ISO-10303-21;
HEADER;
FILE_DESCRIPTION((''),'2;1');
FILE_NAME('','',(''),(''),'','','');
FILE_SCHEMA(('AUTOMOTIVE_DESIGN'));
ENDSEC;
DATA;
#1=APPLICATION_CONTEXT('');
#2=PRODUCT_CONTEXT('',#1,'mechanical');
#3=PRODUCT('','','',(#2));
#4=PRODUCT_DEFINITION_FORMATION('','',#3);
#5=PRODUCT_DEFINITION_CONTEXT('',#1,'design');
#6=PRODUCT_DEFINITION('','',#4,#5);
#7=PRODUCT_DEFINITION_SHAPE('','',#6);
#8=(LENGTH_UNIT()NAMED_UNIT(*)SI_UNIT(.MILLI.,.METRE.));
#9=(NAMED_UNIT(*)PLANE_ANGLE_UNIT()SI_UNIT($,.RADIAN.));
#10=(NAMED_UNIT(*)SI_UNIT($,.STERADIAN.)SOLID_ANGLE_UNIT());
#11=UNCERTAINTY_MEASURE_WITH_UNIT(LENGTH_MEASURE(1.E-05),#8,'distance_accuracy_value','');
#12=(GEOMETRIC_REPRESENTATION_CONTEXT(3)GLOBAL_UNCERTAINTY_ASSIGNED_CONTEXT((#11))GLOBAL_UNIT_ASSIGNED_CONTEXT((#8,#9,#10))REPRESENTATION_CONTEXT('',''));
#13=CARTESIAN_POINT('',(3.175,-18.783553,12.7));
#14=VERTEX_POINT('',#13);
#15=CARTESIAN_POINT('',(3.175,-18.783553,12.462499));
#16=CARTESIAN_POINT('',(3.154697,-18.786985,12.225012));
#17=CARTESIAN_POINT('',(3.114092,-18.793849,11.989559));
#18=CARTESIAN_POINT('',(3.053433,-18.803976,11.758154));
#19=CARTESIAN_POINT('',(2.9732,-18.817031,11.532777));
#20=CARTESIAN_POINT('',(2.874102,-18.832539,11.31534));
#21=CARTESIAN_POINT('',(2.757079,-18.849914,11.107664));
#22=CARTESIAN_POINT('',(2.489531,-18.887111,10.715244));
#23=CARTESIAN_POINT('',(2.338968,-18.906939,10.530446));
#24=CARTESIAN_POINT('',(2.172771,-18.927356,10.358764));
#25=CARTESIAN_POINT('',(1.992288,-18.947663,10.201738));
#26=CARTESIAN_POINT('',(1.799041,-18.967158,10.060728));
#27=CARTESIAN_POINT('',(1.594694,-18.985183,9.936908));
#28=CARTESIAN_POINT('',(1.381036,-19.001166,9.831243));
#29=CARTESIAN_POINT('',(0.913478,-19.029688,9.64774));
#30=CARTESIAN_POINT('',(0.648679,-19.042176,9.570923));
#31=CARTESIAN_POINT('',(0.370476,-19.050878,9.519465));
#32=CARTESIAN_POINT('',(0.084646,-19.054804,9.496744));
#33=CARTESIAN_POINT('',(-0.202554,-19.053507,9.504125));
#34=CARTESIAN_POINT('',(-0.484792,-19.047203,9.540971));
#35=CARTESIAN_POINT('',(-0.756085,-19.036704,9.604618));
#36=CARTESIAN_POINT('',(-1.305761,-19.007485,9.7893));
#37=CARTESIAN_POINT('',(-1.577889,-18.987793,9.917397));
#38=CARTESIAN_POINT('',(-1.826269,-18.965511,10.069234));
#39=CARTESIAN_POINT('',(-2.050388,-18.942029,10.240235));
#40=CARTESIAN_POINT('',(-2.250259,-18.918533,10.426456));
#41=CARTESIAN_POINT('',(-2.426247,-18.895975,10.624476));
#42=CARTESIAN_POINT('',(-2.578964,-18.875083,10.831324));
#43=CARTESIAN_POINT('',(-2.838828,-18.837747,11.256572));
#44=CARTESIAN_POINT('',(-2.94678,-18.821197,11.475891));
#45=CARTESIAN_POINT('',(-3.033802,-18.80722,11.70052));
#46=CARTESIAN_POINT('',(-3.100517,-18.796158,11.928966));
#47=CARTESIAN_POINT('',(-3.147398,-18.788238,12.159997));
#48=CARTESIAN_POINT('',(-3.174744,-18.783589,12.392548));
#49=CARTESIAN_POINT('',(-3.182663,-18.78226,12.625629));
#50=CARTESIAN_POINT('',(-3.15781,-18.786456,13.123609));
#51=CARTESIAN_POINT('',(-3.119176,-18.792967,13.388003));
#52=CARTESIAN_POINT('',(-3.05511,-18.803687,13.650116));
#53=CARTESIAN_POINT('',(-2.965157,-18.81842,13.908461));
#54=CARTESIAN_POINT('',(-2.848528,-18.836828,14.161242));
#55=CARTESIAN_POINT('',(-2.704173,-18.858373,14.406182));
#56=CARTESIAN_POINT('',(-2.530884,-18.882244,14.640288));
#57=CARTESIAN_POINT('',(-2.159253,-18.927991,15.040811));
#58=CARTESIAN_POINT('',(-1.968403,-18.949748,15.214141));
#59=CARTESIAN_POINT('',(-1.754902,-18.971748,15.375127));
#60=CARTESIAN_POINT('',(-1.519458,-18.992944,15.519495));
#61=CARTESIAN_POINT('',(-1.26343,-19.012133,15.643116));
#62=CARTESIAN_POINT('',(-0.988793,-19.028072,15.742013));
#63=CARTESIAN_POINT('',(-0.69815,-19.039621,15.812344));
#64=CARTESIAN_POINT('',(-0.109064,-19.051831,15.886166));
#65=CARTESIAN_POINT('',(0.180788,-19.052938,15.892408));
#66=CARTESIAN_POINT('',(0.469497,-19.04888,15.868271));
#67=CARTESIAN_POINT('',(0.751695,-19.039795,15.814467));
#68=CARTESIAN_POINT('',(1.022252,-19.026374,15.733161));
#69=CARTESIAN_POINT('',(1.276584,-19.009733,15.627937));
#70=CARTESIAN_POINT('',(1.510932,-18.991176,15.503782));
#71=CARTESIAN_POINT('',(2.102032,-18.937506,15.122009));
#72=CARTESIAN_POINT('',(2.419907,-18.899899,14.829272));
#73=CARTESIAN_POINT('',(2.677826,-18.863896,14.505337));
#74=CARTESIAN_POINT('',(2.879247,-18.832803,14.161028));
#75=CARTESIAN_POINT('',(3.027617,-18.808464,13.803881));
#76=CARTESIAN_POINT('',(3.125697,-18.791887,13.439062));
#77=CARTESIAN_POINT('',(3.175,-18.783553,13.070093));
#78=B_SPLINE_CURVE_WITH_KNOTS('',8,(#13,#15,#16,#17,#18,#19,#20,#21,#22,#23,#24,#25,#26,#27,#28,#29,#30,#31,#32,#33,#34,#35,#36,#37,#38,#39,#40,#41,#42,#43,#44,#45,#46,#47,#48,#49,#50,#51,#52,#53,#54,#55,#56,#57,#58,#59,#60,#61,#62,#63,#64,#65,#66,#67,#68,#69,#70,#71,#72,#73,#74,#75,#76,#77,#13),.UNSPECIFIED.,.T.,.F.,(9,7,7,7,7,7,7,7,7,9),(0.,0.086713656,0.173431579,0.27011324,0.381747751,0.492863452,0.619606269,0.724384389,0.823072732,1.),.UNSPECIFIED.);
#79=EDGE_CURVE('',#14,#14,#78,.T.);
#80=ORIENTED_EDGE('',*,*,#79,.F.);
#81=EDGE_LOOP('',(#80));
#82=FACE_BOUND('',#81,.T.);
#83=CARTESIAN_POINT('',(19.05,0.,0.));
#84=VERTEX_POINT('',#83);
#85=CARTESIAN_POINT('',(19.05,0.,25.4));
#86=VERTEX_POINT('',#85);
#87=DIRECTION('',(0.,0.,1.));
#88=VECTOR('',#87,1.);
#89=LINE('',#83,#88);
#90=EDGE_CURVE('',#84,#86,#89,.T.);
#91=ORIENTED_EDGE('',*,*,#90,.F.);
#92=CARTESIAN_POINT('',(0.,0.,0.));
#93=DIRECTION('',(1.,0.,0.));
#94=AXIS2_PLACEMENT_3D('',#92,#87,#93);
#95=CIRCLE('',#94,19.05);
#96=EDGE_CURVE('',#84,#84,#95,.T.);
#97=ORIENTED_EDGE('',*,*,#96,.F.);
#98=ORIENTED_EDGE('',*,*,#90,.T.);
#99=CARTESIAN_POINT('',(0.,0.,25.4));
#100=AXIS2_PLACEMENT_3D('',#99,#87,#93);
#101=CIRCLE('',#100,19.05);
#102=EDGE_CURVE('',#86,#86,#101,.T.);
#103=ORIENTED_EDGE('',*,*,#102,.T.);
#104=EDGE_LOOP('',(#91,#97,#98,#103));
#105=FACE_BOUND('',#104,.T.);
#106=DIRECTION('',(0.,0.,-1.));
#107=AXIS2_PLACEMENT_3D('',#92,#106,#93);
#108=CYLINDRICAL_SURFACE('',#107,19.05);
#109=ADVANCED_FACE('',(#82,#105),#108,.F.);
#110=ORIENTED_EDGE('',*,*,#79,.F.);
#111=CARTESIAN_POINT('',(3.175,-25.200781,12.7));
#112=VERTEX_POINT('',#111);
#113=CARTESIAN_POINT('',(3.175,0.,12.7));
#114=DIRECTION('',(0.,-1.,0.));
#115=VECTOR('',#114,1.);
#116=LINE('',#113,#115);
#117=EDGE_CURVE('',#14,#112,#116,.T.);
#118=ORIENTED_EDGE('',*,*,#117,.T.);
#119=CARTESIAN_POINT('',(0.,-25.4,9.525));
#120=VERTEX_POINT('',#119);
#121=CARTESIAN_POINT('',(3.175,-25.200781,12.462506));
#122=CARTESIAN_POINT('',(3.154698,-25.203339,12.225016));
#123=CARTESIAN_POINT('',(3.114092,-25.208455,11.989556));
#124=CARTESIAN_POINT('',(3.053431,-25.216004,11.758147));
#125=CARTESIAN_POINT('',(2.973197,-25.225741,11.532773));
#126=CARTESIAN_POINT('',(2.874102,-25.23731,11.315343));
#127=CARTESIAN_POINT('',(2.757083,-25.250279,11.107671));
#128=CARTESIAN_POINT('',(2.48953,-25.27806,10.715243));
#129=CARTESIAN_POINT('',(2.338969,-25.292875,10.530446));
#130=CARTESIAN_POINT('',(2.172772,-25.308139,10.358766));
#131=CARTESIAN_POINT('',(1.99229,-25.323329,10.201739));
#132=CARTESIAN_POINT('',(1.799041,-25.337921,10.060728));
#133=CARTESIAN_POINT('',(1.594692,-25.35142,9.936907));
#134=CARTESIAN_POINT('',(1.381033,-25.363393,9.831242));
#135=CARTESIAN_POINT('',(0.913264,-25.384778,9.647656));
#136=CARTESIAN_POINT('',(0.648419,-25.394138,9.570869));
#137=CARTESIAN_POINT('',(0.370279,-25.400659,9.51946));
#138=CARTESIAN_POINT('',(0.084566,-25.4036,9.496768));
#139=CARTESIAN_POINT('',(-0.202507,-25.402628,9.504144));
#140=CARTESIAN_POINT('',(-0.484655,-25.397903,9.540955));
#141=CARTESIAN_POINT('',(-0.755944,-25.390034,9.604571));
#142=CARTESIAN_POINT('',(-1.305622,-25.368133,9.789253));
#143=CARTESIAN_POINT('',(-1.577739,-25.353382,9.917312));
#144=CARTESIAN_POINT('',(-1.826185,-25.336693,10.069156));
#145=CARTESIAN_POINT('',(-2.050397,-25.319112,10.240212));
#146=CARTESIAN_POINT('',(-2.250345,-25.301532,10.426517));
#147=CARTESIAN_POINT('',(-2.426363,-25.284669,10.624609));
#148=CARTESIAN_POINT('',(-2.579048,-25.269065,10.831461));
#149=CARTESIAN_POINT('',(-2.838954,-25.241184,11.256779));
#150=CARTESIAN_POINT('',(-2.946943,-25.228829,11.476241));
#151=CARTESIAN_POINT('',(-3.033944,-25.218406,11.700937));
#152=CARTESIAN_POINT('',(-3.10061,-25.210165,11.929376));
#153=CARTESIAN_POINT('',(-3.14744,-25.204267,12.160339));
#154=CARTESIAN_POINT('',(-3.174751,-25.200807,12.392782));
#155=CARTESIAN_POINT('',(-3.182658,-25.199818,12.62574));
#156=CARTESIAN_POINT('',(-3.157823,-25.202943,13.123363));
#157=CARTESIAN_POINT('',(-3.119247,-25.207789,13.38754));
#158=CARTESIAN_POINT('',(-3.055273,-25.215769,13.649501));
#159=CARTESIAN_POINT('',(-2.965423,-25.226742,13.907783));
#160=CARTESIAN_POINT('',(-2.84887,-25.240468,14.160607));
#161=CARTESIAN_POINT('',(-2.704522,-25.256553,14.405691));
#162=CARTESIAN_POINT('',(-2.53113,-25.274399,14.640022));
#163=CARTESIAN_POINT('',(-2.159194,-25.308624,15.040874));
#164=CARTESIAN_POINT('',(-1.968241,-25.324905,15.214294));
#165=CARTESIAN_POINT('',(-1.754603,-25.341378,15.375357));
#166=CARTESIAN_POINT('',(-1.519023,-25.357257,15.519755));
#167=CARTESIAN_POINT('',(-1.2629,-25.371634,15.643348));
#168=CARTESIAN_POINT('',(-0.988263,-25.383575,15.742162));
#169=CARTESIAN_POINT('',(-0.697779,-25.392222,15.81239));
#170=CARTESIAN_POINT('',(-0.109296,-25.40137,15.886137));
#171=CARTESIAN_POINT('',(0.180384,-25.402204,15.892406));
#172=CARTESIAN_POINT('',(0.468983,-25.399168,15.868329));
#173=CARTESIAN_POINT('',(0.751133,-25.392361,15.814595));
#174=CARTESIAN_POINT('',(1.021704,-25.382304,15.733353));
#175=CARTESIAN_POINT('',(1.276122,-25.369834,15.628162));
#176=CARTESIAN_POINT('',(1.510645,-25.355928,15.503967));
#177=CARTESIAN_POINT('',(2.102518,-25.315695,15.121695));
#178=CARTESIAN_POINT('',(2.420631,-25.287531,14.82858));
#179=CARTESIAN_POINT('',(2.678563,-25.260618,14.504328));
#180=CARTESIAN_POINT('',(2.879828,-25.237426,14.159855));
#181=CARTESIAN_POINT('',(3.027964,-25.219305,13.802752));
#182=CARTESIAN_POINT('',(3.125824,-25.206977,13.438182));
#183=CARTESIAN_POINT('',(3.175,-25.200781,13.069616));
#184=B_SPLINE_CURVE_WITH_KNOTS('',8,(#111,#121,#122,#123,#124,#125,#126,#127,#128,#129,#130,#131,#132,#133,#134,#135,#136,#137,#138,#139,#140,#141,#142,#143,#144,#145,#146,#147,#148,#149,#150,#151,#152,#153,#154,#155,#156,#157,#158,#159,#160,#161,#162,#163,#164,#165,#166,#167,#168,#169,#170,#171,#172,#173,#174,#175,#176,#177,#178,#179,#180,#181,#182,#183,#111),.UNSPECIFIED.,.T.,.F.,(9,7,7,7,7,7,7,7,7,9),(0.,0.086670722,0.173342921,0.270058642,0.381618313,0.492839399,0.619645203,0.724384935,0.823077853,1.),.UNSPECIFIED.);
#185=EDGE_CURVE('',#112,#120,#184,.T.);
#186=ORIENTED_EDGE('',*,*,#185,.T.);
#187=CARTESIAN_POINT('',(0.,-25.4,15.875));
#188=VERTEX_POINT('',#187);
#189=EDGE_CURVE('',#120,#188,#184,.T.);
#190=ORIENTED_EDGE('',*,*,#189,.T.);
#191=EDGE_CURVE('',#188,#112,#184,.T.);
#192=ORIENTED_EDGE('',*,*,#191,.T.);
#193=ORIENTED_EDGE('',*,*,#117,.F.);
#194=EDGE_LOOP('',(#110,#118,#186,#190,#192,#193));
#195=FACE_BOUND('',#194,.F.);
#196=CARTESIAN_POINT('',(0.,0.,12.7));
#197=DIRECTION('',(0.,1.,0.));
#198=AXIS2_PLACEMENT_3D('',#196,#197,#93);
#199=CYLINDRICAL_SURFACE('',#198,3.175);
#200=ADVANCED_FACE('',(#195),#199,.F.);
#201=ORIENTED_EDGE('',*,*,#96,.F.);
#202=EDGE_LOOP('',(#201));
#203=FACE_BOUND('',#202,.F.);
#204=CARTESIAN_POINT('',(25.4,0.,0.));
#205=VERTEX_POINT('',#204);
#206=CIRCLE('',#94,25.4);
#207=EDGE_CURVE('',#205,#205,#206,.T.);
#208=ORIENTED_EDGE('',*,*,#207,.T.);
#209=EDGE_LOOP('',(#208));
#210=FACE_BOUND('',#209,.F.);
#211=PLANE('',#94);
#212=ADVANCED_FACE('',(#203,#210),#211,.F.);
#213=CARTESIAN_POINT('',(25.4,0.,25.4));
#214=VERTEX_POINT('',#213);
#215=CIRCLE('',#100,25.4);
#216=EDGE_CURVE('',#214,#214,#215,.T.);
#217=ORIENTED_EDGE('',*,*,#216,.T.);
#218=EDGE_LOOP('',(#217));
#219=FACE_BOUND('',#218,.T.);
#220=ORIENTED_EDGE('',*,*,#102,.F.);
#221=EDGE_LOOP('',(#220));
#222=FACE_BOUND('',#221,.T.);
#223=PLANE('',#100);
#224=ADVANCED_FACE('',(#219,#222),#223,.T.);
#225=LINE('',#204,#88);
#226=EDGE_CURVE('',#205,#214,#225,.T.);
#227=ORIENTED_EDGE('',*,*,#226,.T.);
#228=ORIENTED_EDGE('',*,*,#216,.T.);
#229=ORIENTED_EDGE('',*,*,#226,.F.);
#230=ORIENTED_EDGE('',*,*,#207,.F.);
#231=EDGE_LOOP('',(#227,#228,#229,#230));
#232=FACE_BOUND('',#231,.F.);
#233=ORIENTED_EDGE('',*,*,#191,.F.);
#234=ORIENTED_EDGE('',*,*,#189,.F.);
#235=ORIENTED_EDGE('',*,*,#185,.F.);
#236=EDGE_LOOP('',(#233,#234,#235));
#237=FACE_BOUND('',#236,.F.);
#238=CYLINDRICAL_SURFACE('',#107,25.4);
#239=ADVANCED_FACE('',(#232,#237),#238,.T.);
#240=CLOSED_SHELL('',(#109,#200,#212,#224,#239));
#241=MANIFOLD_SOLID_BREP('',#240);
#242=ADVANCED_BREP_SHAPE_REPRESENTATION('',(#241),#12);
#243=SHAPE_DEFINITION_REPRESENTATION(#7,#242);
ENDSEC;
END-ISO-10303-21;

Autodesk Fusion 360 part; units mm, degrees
sketch "Sketch1" plane through (0, 0, 0) normal (0, 0, 1) x (1, 0, 0)
  circle A0 centre (0, 0) radius 25.4
  circle A1 centre (0, 0) radius 19.05
  circle A2 centre (0, 0) radius 22.225 construction
  line L0 (0, 0) -> (0, 25.4) construction
  point P0 (0, 22.225)
  dimension "d1" = 50.8
  dimension "d2" = 38.1
  dimension "d5" = 44.45
extrude "Extrude1" add sketch "Sketch1" along normal blind 25.4
hole "Hole1" at (0, 0, 0) direction (0, 0, -1) diameter 3.4163 depth 25.4 tip angle 118
pattern_circular "C-Pattern1" count 3 over 360 about axis through (0, 0, 0) along (0, 0, 1) of "Hole1"
sketch "Sketch3" plane through (0, 0, 0) normal (0, 1, 0) x (1, 0, 0)
  line L0 (-25.4, -25.4) -> (25.4, -25.4)
  line L1 (-25.4, 0) -> (25.4, 0)
  line L2 (0, 0) -> (0, -12.7) construction
  line L3 (0, -12.7) -> (0, -25.4) construction
  circle A0 centre (0, -12.7) radius 3.175
  point P0 (0, -12.7)
  dimension "d12" = 6.35
extrude "Extrude2" cut sketch "Sketch3" against normal blind 25.4
